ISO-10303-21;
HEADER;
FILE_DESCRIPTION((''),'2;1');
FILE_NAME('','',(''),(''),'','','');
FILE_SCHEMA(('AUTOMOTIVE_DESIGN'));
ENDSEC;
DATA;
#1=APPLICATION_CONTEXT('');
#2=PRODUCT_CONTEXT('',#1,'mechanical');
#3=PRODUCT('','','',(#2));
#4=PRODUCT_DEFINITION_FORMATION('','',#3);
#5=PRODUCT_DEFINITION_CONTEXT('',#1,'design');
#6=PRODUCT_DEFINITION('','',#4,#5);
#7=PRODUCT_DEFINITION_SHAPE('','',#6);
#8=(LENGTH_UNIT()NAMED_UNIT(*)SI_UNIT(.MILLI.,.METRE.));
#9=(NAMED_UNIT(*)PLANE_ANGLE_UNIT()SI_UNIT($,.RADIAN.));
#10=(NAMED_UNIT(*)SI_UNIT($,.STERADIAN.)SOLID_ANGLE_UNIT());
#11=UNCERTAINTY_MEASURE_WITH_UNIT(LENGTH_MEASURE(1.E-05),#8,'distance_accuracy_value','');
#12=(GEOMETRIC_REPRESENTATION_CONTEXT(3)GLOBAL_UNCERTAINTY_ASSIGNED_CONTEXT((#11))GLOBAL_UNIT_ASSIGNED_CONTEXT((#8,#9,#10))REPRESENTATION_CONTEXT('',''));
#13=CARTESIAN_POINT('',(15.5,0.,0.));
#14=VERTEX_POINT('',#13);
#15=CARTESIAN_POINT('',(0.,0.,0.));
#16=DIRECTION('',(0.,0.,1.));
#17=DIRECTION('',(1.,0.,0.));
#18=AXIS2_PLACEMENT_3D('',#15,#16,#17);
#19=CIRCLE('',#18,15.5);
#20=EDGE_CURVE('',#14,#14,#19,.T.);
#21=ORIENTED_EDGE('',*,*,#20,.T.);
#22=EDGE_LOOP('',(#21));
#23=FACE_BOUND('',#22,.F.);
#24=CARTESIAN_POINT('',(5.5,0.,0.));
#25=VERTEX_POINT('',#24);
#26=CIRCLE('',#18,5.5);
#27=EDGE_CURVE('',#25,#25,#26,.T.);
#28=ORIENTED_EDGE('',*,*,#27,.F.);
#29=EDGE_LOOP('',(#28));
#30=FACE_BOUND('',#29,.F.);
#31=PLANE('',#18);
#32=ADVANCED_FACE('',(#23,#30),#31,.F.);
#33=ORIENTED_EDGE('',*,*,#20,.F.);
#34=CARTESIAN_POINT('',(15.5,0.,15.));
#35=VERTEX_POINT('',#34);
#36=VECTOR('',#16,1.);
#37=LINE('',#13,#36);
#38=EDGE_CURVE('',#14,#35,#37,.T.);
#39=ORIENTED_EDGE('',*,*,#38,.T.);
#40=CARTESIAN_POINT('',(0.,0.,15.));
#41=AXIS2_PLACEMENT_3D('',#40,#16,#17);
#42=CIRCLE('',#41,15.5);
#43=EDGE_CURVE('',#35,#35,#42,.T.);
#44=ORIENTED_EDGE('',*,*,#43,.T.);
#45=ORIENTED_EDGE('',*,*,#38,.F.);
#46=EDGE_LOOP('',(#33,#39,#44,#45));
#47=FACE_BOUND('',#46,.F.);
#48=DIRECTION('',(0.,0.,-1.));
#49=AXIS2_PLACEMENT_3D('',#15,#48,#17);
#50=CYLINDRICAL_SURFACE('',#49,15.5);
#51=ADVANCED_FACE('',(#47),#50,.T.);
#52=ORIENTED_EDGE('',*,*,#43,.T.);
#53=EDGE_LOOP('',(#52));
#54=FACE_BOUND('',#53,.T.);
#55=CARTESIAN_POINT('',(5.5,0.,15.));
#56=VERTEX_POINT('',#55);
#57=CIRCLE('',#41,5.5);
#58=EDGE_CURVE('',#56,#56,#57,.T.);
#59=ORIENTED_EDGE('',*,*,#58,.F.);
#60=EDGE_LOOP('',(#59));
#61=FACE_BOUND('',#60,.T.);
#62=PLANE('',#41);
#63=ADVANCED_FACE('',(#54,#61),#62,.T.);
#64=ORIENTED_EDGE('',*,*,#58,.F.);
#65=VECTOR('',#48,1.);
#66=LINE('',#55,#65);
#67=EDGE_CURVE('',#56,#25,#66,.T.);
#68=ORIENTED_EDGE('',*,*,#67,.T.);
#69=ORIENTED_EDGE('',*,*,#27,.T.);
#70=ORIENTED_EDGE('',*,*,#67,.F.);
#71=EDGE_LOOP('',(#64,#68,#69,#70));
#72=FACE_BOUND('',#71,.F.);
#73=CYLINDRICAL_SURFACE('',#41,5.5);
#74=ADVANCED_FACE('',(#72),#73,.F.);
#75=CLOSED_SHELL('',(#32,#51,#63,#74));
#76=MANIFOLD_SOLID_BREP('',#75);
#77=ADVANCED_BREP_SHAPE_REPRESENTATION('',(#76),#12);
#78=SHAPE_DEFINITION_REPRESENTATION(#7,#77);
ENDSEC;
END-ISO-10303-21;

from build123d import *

# Parameters (mm, degrees)
CYLINDER_R     = 15.5
CYLINDER_DEPTH = 15
SKETCH_R       = 5.5
POCKET_DEPTH   = 21


with BuildPart() as part:
    # Cylinder → Cylinder (new body)
    with BuildSketch(Plane.XY):
        Circle(CYLINDER_R)
    extrude(amount=CYLINDER_DEPTH)

    # Sketch → Pocket (cut)
    with BuildSketch(Plane.XY.offset(15)):
        Circle(SKETCH_R)
    extrude(amount=-POCKET_DEPTH, mode=Mode.SUBTRACT)


solid = part.part
